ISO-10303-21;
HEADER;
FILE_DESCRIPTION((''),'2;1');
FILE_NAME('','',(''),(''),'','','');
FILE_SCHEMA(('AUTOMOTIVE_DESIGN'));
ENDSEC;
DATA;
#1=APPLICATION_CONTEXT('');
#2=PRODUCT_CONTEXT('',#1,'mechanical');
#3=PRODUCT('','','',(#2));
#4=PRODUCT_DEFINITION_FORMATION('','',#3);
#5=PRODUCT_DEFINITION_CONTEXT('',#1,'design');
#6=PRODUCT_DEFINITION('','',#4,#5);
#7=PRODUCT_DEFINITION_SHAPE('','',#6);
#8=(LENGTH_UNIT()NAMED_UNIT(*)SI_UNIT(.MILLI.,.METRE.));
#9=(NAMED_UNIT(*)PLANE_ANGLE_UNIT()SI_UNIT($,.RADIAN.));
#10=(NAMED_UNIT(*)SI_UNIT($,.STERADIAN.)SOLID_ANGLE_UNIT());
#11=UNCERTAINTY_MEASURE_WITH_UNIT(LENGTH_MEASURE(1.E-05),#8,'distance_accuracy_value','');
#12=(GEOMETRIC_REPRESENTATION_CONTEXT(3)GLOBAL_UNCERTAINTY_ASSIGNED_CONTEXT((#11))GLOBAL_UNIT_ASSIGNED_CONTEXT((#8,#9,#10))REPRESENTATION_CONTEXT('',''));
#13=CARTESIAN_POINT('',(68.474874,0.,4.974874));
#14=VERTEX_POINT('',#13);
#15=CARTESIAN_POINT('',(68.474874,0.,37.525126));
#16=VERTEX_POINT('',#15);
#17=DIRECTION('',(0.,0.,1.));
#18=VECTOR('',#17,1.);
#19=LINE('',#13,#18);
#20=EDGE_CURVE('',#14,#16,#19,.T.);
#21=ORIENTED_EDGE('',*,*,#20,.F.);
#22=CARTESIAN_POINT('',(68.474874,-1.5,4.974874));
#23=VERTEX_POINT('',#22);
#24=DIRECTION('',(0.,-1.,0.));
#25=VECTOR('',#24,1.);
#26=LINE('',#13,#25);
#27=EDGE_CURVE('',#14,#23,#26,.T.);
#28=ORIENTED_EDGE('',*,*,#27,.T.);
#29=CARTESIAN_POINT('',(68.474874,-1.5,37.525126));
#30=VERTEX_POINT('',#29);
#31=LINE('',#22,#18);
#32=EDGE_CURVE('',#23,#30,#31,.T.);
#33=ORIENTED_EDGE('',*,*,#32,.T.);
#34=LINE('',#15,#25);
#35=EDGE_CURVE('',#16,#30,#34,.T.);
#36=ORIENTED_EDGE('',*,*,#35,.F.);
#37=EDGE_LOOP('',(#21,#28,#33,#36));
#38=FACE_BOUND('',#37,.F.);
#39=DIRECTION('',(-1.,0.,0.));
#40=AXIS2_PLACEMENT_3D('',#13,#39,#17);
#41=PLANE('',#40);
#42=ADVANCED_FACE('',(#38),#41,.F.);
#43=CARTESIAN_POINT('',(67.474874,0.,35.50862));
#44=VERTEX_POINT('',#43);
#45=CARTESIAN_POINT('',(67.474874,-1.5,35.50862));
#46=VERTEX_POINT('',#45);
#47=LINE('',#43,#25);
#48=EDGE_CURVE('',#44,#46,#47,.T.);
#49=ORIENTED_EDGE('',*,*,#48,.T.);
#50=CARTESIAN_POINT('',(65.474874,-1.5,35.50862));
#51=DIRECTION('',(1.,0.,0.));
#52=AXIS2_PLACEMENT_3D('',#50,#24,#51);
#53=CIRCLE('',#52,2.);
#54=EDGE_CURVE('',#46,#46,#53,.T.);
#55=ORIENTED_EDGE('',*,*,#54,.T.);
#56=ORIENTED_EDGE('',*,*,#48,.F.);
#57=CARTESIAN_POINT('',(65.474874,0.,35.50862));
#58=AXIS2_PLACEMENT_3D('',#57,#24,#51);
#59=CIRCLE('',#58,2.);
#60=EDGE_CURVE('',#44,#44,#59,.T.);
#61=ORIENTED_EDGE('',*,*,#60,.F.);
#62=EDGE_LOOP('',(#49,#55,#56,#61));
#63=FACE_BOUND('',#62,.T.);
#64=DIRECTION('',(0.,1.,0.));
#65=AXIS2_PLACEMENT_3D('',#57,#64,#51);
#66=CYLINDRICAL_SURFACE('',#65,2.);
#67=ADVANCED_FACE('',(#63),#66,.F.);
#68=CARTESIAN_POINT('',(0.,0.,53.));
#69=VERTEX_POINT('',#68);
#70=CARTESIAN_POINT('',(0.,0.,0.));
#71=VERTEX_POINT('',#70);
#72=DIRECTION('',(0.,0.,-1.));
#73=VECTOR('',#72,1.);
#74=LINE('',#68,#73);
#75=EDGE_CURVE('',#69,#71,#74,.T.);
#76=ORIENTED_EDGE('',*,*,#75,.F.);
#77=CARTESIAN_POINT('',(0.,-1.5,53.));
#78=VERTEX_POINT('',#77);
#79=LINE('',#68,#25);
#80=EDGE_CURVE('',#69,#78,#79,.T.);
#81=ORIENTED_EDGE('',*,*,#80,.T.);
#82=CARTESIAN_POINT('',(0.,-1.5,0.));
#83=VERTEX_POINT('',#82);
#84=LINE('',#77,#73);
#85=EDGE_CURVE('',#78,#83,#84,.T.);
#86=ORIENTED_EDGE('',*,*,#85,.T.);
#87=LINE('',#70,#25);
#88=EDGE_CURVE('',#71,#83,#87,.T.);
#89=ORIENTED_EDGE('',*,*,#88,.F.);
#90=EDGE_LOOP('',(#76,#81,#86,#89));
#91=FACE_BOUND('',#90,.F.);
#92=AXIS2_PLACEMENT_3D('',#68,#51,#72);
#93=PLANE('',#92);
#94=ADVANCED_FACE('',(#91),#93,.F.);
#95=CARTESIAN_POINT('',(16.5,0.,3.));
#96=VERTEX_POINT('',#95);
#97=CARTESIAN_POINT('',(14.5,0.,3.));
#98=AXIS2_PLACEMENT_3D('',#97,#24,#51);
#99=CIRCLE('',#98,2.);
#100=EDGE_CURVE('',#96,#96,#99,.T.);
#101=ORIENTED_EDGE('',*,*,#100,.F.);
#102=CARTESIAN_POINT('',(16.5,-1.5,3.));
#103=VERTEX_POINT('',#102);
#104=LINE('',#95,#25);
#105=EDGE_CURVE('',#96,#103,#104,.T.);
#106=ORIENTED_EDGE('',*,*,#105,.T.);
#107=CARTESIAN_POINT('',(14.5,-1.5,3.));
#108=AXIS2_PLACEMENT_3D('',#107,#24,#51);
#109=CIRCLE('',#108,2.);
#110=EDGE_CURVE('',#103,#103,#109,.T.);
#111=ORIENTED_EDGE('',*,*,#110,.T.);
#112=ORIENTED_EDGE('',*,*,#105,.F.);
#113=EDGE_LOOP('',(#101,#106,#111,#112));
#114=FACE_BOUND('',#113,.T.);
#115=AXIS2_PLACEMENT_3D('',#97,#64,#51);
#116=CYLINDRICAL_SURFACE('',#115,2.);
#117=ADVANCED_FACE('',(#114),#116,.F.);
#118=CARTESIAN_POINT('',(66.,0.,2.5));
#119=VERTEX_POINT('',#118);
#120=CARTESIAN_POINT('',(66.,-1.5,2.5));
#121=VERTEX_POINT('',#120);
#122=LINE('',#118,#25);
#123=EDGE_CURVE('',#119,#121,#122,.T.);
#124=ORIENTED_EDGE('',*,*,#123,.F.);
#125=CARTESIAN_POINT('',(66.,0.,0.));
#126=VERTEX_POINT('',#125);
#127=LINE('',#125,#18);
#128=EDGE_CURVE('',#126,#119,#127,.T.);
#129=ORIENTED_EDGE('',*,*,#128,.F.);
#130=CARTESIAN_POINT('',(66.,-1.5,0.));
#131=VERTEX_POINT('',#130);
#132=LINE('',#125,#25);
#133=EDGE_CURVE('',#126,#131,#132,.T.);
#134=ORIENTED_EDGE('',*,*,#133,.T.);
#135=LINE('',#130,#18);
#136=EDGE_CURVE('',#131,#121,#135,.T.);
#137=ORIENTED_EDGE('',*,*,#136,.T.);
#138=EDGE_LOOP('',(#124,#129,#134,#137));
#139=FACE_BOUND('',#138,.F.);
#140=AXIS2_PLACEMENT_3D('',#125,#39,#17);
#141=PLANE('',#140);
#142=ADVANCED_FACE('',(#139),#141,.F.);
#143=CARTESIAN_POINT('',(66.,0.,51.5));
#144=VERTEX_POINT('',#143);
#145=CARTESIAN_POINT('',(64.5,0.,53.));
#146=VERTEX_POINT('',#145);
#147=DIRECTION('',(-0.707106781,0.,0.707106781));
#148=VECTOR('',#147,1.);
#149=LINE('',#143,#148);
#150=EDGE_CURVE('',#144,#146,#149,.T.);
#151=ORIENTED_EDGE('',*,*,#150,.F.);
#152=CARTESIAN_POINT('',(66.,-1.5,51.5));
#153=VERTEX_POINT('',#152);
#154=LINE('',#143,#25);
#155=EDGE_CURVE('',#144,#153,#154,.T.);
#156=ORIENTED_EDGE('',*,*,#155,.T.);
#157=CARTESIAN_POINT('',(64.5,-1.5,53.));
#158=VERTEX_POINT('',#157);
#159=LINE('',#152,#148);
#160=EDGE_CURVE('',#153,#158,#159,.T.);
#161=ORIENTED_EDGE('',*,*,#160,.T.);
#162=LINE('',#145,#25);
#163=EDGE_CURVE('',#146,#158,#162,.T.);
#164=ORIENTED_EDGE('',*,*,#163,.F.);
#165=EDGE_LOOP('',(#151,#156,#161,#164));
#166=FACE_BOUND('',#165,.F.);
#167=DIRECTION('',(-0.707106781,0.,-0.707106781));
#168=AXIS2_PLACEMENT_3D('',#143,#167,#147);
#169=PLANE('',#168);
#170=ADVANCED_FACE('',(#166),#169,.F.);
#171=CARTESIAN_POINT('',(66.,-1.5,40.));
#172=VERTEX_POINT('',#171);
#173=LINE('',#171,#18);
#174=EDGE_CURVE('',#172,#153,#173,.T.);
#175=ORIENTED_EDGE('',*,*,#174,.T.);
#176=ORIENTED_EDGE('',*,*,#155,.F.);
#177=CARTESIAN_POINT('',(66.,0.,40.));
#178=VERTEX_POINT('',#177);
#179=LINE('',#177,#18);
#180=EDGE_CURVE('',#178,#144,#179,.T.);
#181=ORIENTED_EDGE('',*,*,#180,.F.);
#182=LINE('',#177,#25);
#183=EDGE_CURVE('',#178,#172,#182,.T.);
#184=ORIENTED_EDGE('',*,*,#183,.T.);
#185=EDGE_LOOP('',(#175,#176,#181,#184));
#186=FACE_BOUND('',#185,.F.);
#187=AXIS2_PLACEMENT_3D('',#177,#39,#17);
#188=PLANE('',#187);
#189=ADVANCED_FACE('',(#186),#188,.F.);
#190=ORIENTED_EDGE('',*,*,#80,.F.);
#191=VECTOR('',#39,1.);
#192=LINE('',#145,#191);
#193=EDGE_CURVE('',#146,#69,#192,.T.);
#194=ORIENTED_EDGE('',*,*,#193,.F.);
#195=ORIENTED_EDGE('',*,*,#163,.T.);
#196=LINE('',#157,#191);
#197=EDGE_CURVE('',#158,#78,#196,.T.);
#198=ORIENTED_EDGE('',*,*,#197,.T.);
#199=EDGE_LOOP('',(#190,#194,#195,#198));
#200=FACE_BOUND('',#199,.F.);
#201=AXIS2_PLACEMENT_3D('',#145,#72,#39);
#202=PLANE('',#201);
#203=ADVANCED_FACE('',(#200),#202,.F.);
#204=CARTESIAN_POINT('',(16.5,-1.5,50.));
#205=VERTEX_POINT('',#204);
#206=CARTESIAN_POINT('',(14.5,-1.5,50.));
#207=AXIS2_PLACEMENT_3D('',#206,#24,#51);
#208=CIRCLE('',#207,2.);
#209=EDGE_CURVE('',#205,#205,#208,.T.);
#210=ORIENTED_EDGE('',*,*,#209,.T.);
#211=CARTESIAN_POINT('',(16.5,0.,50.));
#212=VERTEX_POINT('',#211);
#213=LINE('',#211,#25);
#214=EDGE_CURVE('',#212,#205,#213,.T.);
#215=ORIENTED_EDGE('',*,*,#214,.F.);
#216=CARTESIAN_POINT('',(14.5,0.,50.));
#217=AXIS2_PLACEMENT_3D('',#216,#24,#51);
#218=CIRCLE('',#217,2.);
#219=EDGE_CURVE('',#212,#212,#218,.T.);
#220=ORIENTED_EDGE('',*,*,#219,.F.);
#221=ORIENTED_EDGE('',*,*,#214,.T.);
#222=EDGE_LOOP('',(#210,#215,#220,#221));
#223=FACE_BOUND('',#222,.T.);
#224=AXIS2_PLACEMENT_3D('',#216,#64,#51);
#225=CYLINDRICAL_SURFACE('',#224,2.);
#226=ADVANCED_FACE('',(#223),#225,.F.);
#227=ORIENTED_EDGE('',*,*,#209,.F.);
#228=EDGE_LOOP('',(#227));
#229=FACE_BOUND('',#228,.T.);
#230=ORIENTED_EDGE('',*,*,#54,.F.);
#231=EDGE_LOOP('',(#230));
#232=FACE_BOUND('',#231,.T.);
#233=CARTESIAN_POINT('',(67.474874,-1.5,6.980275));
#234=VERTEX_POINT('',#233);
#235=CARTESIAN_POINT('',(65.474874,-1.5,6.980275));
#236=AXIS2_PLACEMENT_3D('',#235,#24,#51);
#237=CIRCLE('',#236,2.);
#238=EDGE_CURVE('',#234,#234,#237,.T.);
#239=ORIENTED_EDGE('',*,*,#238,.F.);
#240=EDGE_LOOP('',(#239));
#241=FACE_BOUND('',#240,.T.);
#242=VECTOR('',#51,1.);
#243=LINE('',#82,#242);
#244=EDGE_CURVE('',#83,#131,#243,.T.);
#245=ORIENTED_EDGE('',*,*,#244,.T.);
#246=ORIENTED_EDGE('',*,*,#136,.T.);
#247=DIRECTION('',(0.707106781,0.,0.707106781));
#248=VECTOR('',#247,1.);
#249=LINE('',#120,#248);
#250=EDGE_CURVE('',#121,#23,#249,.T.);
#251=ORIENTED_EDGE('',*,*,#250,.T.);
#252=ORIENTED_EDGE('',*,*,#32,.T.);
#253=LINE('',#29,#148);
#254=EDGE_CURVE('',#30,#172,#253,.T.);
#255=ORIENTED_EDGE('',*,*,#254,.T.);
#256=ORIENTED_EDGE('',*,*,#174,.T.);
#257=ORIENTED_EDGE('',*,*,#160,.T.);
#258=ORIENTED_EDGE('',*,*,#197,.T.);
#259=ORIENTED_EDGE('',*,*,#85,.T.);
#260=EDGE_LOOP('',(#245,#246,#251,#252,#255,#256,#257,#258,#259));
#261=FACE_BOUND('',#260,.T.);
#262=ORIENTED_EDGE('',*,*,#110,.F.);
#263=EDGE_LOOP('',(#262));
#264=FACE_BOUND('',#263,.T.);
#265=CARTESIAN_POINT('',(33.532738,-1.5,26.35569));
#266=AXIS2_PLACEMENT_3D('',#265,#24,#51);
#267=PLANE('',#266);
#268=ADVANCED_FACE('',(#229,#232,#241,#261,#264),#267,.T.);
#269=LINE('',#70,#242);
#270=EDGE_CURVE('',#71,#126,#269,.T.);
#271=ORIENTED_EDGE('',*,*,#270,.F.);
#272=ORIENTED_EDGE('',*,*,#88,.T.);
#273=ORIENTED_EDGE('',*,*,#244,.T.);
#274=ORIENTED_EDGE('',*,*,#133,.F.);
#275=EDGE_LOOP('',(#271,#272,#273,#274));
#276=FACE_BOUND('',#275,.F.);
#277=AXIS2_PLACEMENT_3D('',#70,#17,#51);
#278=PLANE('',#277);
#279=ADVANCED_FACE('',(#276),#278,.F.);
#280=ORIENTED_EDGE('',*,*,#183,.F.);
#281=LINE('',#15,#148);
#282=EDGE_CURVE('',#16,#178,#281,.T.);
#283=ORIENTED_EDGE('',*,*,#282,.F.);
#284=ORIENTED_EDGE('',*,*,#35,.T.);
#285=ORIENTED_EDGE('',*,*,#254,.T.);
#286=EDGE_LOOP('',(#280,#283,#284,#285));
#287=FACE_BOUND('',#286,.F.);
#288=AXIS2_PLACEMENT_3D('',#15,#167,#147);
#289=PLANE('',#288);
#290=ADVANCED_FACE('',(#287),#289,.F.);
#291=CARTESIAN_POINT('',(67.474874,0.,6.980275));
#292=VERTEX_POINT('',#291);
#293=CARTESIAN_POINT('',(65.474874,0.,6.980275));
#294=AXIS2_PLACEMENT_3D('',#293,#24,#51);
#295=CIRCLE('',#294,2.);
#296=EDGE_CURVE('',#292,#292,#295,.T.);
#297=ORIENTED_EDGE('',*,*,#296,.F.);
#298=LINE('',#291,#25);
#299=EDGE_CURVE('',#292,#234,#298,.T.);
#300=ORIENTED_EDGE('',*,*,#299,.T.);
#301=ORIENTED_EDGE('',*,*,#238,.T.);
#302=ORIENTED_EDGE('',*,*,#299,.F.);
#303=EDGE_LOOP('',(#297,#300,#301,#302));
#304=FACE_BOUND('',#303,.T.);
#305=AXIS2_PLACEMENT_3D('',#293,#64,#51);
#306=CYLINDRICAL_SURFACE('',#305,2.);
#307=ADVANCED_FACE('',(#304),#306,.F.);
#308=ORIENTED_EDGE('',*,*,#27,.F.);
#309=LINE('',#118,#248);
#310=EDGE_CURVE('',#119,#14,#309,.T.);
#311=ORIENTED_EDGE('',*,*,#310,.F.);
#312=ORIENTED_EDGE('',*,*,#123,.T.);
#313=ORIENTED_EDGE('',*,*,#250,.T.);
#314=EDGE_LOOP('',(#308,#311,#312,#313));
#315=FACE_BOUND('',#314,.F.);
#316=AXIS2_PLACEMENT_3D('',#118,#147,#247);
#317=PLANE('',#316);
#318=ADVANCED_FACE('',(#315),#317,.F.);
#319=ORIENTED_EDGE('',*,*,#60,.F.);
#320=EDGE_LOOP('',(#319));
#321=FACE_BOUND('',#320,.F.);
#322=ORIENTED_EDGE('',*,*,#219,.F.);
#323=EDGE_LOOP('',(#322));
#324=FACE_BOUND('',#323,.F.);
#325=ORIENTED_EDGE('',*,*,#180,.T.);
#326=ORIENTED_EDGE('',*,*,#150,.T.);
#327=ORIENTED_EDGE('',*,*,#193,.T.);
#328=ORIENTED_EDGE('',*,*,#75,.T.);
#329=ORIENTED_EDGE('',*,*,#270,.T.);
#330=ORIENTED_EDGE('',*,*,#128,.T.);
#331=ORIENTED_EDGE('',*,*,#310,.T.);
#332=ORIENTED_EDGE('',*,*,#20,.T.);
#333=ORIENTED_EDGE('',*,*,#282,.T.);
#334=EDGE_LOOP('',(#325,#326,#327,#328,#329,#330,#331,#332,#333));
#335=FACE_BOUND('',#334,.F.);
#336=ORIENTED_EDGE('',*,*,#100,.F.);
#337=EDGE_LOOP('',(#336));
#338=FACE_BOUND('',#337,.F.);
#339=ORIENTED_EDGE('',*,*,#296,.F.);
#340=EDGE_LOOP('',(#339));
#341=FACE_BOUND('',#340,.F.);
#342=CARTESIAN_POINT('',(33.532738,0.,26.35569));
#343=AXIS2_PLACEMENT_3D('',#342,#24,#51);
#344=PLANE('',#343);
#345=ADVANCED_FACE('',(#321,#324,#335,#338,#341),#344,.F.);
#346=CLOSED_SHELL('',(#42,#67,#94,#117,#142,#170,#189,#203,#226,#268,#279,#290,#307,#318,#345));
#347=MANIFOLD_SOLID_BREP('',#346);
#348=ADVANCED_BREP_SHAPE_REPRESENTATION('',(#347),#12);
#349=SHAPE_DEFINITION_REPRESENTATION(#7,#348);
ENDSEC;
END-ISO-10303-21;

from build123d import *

# Parameters (mm, degrees)
F0_R     = 2
F1_DEPTH = 1.5


with BuildPart() as f1:
    # F0 (on Front) → F1 (new body)
    with BuildSketch(Plane.XZ):
        Polygon((0, 53), (0, 0), (66, 0), (66, 2.5), (68.474874, 4.974874), (68.474874, 37.525126), (66, 40), (66, 49.5), (66, 51.5), (64.5, 53), align=None)
        with Locations((14.5, 3)):
            Circle(F0_R, mode=Mode.SUBTRACT)
        with Locations((65.474874, 6.980275)):
            Circle(F0_R, mode=Mode.SUBTRACT)
        with Locations((14.5, 50)):
            Circle(F0_R, mode=Mode.SUBTRACT)
        with Locations((65.474874, 35.50862)):
            Circle(F0_R, mode=Mode.SUBTRACT)
    extrude(amount=F1_DEPTH)


solid = f1.part
